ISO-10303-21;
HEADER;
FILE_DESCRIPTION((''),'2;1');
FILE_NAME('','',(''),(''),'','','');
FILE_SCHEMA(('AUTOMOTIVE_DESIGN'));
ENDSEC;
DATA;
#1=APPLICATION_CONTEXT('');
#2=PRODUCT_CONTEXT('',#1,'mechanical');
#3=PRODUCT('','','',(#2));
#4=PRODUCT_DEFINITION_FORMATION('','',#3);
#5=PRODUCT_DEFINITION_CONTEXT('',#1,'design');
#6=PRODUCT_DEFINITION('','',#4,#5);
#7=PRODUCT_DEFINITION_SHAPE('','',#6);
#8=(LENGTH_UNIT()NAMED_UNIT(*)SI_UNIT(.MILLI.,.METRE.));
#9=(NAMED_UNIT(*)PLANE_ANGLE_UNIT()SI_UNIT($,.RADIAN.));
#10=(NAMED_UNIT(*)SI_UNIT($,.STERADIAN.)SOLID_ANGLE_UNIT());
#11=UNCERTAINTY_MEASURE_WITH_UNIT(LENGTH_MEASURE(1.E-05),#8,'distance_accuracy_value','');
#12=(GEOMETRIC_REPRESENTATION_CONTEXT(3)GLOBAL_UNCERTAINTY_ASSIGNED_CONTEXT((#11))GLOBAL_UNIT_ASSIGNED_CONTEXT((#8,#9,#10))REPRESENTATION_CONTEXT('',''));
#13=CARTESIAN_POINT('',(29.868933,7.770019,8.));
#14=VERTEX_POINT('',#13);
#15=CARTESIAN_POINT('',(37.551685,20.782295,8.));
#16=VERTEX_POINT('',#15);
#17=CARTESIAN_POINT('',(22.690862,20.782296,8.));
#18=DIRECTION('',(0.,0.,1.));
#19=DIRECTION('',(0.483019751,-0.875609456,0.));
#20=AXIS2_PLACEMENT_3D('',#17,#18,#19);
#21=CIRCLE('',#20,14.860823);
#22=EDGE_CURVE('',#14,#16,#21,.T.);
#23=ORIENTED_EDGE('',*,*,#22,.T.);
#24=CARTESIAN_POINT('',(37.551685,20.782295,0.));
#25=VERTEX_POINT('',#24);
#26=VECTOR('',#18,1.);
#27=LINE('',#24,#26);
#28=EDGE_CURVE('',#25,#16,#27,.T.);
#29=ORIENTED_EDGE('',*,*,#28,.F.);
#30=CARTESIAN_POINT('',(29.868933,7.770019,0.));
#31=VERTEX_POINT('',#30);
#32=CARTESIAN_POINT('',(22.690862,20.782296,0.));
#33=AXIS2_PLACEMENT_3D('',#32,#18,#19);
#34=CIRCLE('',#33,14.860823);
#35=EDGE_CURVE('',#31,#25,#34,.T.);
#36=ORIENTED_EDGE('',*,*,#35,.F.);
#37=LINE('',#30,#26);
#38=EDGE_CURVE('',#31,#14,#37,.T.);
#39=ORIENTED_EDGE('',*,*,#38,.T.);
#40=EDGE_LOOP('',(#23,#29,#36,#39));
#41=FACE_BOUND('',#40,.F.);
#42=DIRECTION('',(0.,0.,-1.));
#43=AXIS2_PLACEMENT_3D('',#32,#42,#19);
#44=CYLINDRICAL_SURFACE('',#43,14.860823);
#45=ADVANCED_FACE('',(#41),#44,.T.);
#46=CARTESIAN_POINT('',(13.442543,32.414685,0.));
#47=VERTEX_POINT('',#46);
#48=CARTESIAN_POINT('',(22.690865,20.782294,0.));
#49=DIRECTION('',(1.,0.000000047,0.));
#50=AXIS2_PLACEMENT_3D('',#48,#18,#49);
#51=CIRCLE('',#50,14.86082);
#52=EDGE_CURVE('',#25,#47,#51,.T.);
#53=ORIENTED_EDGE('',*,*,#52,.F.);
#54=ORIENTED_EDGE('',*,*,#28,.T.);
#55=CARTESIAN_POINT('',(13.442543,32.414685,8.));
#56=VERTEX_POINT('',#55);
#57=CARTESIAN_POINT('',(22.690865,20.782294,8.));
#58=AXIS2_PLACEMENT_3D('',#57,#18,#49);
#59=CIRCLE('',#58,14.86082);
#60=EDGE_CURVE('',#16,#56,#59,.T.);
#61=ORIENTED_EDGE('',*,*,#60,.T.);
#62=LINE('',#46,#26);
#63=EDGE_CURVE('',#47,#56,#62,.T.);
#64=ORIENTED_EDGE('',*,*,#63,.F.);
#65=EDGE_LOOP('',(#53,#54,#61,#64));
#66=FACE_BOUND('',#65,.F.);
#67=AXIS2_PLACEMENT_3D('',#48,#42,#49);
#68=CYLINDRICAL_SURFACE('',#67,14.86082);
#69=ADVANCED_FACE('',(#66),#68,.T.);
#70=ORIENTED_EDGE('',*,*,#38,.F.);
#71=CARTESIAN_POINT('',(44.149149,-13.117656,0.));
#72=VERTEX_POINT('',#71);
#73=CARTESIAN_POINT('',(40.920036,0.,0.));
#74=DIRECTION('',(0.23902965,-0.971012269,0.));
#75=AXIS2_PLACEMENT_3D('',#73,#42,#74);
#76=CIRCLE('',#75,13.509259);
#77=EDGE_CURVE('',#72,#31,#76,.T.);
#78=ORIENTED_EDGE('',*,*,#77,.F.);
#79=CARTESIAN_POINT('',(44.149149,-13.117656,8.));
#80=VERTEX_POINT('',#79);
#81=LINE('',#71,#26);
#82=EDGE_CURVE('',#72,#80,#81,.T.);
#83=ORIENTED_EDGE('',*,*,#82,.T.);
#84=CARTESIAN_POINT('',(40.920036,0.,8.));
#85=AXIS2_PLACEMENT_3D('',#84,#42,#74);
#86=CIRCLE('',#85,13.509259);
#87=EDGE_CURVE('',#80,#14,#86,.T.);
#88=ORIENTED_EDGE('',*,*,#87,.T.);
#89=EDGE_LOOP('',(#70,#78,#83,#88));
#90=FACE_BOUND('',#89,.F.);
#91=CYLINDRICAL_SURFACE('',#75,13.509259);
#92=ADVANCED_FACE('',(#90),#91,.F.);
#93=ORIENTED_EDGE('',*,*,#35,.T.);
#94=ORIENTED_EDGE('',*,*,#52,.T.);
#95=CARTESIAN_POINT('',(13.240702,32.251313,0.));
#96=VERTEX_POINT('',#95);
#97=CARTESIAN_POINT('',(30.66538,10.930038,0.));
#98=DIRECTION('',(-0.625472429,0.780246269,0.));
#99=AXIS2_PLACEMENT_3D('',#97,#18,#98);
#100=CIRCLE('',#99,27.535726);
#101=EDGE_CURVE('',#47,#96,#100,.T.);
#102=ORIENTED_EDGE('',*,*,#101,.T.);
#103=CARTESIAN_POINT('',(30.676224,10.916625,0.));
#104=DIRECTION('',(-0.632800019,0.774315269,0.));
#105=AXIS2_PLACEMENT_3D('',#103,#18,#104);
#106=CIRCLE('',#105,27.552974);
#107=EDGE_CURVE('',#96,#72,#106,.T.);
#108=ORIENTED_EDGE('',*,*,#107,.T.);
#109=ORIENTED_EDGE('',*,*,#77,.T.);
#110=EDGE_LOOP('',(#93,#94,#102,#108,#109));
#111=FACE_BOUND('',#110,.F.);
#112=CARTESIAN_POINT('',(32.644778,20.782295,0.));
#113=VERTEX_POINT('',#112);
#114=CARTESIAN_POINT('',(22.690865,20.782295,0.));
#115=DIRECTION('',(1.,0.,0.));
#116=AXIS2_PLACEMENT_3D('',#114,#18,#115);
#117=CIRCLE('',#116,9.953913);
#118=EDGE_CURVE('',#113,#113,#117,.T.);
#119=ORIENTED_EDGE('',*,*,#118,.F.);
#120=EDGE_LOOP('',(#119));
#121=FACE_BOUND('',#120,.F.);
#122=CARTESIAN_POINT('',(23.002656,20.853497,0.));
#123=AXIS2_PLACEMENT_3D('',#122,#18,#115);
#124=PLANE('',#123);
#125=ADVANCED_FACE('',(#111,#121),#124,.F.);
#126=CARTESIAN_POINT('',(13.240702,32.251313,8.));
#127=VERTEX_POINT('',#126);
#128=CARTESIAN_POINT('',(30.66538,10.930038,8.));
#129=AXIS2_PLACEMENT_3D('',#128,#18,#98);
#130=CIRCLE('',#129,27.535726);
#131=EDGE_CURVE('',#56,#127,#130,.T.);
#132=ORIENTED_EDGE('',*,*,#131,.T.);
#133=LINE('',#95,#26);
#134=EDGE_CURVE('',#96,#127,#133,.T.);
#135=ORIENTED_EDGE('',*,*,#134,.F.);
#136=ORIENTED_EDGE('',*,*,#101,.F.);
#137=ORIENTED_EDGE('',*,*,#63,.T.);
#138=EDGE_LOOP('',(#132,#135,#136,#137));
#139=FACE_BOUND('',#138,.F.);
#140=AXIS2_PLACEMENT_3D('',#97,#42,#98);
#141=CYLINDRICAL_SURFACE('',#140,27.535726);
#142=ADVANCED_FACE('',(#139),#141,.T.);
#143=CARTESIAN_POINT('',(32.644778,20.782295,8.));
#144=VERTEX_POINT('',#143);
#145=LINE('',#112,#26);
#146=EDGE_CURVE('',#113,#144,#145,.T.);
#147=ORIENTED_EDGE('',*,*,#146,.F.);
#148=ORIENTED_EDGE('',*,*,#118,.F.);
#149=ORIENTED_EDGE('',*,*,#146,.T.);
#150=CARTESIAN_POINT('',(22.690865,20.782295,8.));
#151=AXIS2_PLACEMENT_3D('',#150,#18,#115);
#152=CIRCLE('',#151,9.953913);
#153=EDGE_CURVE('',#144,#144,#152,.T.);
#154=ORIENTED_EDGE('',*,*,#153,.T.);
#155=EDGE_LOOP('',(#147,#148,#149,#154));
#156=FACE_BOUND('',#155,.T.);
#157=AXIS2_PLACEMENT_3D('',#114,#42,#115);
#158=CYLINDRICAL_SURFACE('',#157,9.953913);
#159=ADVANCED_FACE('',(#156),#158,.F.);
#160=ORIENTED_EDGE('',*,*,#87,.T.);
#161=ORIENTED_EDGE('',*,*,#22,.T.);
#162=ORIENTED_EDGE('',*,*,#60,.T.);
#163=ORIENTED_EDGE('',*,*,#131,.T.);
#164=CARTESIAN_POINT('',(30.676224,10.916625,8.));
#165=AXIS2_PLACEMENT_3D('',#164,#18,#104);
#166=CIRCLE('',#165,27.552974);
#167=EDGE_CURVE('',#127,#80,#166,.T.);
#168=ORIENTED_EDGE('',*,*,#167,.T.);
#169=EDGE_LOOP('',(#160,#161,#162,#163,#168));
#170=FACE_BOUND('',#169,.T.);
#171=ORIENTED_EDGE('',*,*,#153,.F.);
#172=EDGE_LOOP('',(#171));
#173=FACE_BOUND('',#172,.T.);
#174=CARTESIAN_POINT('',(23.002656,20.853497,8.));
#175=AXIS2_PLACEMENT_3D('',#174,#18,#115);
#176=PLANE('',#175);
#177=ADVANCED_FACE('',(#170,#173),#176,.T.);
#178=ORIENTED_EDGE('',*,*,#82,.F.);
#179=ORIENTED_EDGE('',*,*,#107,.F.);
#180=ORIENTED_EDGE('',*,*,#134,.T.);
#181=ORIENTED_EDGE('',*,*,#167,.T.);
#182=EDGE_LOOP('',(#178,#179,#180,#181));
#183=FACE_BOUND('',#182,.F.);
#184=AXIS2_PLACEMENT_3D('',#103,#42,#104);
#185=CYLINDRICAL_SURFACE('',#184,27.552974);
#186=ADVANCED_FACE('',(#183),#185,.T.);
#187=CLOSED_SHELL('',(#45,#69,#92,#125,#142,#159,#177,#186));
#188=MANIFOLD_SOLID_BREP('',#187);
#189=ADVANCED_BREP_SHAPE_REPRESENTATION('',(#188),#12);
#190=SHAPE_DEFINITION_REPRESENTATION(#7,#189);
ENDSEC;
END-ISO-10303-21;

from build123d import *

# Parameters (mm, degrees)
F0_R     = 9.953913
F2_DEPTH = 8


with BuildPart() as f2:
    # F0 (on Top) → F2 (new body)
    with BuildSketch(Plane.XY):
        with BuildLine():
            ThreePointArc((29.868933, 7.770019), (35.48766, 13.226767), (37.551685, 20.782295))
            ThreePointArc((37.551685, 20.782295), (29.148663, 34.166644), (13.442543, 32.414685))
            ThreePointArc((13.442543, 32.414685), (13.34143, 32.333237), (13.240702, 32.251313))
            ThreePointArc((13.240702, 32.251313), (10.397613, 12.432448), (29.868933, 7.770019))
        make_face()
        with Locations((22.690865, 20.782295)):
            Circle(F0_R, mode=Mode.SUBTRACT)
        with BuildLine():
            ThreePointArc((44.149149, -13.117656), (29.767923, -7.624333), (29.868933, 7.770019))
            ThreePointArc((29.868933, 7.770019), (10.397613, 12.432448), (13.240702, 32.251313))
            ThreePointArc((13.240702, 32.251313), (7.905379, -4.596433), (44.149149, -13.117656))
        make_face()
    extrude(amount=F2_DEPTH)


solid = f2.part
